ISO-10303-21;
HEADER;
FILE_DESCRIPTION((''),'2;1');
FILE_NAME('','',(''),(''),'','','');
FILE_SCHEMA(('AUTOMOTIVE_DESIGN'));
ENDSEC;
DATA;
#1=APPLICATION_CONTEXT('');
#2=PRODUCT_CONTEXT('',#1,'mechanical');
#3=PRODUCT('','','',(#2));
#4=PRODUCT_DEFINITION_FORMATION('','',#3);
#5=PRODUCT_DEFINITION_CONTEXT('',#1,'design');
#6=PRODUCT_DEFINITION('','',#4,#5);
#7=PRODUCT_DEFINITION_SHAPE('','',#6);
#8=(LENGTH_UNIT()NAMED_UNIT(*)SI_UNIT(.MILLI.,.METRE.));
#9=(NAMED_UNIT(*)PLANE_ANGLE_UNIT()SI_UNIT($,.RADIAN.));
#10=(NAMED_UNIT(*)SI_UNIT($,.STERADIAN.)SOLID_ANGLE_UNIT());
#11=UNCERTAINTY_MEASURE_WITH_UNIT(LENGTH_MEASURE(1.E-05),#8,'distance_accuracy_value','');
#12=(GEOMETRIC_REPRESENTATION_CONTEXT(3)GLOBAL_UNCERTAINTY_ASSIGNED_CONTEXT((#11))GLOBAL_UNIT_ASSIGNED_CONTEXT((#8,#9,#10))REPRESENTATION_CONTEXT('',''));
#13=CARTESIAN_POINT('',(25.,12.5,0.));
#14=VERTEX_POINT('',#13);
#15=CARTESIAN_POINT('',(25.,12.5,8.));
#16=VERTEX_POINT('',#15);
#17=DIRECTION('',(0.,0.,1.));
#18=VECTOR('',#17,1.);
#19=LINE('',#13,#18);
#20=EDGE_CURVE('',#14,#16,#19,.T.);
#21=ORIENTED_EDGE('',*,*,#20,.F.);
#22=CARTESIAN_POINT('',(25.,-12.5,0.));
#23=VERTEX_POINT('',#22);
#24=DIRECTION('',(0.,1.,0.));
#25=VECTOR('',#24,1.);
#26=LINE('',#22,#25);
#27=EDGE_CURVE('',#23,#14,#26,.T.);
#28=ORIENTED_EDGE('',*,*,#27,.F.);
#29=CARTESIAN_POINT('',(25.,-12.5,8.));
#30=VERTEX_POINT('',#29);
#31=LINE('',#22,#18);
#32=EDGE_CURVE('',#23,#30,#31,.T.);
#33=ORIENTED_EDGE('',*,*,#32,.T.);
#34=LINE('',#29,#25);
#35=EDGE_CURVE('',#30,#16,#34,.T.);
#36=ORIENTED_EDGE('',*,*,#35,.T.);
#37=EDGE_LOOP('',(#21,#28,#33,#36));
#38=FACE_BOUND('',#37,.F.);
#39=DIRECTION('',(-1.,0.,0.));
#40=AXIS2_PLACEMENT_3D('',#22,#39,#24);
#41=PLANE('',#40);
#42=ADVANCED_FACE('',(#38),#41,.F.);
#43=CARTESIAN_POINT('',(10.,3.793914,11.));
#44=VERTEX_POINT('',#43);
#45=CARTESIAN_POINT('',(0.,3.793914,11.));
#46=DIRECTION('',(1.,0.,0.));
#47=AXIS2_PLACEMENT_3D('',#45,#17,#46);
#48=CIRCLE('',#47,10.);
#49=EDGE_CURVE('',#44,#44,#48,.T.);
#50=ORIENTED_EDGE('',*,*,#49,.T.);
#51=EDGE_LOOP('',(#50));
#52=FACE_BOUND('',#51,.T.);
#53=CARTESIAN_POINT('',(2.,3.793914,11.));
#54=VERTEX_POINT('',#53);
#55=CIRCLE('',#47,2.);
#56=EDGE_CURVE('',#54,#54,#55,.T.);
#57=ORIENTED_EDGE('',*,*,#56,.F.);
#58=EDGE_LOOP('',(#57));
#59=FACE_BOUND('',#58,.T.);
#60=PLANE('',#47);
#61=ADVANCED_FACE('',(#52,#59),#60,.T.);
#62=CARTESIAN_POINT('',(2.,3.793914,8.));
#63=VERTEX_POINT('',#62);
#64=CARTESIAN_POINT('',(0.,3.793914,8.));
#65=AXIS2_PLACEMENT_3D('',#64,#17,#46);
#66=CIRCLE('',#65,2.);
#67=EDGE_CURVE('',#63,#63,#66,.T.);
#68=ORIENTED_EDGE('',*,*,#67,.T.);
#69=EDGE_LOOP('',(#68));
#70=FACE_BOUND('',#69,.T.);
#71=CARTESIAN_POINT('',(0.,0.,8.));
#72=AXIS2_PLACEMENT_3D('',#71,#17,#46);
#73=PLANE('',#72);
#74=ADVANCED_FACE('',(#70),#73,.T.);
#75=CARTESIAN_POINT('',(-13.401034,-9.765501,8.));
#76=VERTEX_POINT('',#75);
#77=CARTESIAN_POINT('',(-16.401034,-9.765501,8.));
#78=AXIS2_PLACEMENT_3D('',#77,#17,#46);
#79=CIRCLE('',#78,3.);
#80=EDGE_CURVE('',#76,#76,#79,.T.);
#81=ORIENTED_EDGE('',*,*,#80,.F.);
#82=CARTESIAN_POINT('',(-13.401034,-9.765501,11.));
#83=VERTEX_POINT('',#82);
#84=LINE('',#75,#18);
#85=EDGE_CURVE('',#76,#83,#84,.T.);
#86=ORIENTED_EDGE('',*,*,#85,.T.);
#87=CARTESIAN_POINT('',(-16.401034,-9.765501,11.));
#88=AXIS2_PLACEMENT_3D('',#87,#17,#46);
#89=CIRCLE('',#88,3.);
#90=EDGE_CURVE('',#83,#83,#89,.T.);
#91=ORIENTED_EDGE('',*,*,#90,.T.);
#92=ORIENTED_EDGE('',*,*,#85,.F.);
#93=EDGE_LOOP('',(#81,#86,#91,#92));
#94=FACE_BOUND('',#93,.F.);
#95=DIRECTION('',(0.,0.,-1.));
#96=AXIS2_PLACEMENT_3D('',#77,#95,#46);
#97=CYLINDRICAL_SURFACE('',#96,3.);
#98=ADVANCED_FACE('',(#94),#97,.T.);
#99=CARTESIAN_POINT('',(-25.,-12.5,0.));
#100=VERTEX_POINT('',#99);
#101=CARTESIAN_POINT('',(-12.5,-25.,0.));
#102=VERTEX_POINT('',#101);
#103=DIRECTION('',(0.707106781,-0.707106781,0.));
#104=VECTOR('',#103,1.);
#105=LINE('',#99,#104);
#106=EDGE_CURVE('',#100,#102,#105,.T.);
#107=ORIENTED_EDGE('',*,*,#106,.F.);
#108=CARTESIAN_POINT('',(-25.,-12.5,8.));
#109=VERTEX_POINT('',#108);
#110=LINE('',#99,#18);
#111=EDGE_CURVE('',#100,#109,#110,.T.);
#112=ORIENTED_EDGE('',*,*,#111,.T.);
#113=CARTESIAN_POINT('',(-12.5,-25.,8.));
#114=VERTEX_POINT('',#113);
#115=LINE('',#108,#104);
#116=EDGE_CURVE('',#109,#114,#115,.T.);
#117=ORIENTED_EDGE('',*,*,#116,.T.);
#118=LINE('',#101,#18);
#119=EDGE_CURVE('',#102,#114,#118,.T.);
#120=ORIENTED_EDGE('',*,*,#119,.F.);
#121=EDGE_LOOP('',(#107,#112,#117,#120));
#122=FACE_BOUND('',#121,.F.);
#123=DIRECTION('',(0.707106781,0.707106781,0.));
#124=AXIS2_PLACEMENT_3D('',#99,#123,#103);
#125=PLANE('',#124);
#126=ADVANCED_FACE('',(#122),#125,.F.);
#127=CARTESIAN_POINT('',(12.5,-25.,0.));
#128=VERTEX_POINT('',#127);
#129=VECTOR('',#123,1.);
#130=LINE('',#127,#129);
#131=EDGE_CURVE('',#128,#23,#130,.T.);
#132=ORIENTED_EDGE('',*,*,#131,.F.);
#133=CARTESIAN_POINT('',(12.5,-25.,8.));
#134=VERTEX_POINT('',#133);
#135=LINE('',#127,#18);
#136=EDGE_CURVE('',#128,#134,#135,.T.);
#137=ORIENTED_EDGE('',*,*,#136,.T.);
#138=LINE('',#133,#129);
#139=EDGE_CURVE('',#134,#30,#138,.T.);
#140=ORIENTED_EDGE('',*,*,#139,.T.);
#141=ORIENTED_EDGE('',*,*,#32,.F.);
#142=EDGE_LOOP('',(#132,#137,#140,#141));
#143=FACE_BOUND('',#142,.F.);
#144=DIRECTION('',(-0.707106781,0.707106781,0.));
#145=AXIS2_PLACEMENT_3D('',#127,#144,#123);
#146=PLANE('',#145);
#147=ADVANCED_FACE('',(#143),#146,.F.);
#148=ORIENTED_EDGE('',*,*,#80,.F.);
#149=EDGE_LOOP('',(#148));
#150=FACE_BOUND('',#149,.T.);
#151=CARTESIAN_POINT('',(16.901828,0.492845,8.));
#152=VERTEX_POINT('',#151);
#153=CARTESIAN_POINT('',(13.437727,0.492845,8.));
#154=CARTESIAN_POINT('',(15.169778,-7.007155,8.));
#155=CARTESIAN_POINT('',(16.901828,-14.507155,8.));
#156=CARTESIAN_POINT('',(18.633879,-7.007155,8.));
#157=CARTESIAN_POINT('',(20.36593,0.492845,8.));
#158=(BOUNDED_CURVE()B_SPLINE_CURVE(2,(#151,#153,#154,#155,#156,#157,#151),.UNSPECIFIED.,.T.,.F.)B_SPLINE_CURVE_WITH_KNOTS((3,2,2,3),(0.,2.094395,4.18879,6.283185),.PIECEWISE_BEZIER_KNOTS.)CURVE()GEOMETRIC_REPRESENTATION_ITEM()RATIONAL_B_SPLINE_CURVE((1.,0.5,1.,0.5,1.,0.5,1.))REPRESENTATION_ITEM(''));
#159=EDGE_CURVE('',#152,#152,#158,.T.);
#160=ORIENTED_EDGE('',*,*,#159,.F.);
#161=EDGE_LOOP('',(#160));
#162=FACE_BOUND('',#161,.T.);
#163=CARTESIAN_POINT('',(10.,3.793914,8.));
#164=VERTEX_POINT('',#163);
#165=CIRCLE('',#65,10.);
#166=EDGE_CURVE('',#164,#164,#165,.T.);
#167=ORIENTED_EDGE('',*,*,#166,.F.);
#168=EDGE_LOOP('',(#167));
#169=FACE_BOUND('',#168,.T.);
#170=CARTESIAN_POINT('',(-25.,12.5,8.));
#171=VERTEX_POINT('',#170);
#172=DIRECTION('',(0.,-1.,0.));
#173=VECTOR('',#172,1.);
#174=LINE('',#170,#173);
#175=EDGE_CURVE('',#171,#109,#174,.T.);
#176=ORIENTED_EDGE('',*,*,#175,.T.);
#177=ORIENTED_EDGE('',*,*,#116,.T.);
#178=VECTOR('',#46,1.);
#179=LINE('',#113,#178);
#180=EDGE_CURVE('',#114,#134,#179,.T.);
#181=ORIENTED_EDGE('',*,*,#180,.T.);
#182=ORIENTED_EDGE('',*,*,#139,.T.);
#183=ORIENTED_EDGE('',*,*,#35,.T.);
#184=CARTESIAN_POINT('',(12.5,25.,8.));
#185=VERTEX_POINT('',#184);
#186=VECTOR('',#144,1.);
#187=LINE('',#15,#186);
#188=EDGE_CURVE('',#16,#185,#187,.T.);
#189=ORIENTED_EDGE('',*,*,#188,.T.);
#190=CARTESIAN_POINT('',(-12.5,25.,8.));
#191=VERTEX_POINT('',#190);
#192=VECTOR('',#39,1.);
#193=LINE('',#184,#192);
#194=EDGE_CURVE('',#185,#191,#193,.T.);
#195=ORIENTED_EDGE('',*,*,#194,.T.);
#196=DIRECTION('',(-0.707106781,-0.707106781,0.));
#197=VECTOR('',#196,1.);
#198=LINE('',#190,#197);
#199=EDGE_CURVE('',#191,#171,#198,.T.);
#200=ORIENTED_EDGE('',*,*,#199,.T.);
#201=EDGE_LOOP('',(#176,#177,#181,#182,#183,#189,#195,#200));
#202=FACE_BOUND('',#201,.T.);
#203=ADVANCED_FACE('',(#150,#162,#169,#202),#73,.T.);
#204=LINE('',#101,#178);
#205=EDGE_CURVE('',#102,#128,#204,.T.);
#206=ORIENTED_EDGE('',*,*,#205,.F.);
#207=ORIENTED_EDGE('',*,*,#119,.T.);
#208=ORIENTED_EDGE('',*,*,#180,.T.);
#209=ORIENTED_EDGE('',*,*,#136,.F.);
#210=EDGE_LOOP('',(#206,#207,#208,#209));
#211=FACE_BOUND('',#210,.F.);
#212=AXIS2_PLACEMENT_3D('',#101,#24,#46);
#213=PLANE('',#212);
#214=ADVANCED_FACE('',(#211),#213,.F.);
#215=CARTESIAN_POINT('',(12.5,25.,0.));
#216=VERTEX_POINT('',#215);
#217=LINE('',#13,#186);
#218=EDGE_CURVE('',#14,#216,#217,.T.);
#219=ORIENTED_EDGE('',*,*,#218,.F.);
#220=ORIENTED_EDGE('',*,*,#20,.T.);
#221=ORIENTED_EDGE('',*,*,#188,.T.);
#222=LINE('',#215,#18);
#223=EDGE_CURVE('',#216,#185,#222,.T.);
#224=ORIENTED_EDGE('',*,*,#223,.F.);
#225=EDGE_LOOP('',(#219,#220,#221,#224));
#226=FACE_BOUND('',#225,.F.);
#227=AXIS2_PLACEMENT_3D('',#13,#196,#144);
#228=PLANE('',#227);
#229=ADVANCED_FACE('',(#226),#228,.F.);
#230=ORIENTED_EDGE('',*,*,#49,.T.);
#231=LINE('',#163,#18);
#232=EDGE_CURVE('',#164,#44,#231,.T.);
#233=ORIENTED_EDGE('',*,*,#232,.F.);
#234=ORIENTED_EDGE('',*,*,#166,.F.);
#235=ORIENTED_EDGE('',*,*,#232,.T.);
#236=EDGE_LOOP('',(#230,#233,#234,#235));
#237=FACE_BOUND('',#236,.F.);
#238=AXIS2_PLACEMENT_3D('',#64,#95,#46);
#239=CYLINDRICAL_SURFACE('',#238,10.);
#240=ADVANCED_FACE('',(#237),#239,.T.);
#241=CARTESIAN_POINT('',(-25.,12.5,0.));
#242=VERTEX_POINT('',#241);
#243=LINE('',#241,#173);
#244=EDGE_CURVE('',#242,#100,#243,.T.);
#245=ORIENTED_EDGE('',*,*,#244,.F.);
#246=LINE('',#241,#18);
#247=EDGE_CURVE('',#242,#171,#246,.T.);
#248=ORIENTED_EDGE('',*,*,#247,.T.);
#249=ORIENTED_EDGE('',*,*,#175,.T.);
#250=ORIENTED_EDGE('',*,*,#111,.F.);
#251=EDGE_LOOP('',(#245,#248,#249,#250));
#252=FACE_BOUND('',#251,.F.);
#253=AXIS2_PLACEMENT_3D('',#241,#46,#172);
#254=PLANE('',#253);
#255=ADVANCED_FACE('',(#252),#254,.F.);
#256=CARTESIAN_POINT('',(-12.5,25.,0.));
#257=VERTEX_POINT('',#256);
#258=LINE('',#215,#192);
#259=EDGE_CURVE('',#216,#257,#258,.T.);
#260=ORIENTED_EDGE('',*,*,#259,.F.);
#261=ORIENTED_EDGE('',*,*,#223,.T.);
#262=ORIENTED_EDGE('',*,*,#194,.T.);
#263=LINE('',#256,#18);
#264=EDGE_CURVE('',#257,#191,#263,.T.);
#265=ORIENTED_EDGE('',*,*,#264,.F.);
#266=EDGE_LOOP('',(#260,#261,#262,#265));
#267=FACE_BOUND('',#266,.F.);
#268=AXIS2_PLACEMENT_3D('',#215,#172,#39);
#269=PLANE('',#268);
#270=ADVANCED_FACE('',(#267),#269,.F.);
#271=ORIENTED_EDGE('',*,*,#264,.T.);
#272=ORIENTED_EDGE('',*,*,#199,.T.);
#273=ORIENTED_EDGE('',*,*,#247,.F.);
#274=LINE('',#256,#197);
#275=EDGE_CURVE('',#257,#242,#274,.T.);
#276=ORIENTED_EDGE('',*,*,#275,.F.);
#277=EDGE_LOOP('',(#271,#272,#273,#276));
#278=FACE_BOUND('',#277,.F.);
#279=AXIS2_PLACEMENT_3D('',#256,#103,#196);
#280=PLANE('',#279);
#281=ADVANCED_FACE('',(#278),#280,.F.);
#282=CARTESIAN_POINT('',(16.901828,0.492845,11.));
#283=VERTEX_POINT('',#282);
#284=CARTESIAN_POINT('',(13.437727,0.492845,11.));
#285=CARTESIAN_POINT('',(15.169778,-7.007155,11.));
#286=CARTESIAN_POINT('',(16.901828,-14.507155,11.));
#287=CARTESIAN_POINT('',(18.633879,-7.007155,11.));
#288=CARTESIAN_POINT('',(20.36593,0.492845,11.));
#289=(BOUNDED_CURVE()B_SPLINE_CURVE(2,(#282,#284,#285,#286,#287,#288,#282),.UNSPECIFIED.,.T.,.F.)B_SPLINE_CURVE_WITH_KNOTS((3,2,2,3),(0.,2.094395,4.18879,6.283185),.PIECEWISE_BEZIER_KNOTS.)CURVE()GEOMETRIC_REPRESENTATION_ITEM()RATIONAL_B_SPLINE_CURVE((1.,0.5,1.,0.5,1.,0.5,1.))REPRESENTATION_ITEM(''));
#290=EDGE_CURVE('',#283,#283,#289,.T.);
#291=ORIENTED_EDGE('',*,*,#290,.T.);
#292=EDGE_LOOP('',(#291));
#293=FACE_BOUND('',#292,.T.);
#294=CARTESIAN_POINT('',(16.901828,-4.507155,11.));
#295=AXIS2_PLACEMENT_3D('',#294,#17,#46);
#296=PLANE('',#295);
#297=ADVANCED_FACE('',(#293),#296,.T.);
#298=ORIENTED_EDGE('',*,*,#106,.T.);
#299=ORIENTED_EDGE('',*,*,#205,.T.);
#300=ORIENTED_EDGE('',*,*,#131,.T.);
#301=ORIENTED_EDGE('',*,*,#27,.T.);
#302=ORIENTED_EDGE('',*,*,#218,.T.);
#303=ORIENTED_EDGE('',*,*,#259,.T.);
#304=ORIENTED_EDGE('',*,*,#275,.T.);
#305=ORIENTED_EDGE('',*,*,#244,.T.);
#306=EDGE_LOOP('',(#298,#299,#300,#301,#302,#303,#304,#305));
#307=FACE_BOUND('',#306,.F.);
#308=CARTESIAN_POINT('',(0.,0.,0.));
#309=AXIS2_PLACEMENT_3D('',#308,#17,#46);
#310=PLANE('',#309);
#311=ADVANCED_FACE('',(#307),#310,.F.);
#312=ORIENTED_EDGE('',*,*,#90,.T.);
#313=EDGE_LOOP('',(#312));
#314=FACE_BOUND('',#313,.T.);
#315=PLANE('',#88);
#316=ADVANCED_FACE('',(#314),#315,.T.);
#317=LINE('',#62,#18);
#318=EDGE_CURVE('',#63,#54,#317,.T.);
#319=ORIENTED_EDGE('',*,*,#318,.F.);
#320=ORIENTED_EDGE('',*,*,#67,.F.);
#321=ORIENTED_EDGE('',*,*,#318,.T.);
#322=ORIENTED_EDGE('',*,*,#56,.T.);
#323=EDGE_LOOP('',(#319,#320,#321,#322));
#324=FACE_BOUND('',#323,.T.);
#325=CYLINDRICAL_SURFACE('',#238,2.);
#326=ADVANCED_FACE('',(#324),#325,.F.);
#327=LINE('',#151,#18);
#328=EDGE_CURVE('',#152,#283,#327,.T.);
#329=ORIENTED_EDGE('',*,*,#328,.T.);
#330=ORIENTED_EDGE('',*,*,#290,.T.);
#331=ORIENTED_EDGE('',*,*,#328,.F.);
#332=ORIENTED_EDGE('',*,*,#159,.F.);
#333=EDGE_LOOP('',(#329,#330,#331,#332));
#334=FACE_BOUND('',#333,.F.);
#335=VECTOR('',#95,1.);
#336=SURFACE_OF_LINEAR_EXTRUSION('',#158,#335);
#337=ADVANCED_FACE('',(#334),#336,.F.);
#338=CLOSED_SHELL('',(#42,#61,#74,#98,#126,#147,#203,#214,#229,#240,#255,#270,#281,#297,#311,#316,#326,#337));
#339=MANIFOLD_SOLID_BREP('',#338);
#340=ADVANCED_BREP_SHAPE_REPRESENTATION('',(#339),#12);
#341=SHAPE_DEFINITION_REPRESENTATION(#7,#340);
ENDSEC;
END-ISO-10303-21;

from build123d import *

# Parameters (mm, degrees)
F1_DEPTH = 8
F2_R     = 10
F2_R_2   = 2
F2_R_3   = 3
F3_DEPTH = 3


with BuildPart() as f1:
    # F0 (on Top) → F1 (new body)
    with BuildSketch(Plane.XY):
        Polygon((-12.5, -25), (12.5, -25), (25, -12.5), (25, 12.5), (12.5, 25), (-12.5, 25), (-25, 12.5), (-25, -12.5), align=None)
    extrude(amount=F1_DEPTH)

    # F2 (on face) → F3 (join)
    with BuildSketch(Plane.XY.offset(8)):
        with Locations((0, 3.793914)):
            Circle(F2_R)
        with Locations((0, 3.793914)):
            Circle(F2_R_2, mode=Mode.SUBTRACT)
        with BuildLine():
            add(Edge.make_bspline(
                [(16.901828, 0.492845), (13.437727, 0.492845), (15.169778, -7.007155), (16.901828, -14.507155), (18.633879, -7.007155), (20.36593, 0.492845), (16.901828, 0.492845)],
                knots=[0, 0, 0, 2.094395, 2.094395, 4.18879, 4.18879, 6.283185, 6.283185, 6.283185], degree=2, weights=[1, 0.5, 1, 0.5, 1, 0.5, 1]))
        make_face()
        with Locations((-16.401034, -9.765501)):
            Circle(F2_R_3)
    extrude(amount=F3_DEPTH)


solid = f1.part
